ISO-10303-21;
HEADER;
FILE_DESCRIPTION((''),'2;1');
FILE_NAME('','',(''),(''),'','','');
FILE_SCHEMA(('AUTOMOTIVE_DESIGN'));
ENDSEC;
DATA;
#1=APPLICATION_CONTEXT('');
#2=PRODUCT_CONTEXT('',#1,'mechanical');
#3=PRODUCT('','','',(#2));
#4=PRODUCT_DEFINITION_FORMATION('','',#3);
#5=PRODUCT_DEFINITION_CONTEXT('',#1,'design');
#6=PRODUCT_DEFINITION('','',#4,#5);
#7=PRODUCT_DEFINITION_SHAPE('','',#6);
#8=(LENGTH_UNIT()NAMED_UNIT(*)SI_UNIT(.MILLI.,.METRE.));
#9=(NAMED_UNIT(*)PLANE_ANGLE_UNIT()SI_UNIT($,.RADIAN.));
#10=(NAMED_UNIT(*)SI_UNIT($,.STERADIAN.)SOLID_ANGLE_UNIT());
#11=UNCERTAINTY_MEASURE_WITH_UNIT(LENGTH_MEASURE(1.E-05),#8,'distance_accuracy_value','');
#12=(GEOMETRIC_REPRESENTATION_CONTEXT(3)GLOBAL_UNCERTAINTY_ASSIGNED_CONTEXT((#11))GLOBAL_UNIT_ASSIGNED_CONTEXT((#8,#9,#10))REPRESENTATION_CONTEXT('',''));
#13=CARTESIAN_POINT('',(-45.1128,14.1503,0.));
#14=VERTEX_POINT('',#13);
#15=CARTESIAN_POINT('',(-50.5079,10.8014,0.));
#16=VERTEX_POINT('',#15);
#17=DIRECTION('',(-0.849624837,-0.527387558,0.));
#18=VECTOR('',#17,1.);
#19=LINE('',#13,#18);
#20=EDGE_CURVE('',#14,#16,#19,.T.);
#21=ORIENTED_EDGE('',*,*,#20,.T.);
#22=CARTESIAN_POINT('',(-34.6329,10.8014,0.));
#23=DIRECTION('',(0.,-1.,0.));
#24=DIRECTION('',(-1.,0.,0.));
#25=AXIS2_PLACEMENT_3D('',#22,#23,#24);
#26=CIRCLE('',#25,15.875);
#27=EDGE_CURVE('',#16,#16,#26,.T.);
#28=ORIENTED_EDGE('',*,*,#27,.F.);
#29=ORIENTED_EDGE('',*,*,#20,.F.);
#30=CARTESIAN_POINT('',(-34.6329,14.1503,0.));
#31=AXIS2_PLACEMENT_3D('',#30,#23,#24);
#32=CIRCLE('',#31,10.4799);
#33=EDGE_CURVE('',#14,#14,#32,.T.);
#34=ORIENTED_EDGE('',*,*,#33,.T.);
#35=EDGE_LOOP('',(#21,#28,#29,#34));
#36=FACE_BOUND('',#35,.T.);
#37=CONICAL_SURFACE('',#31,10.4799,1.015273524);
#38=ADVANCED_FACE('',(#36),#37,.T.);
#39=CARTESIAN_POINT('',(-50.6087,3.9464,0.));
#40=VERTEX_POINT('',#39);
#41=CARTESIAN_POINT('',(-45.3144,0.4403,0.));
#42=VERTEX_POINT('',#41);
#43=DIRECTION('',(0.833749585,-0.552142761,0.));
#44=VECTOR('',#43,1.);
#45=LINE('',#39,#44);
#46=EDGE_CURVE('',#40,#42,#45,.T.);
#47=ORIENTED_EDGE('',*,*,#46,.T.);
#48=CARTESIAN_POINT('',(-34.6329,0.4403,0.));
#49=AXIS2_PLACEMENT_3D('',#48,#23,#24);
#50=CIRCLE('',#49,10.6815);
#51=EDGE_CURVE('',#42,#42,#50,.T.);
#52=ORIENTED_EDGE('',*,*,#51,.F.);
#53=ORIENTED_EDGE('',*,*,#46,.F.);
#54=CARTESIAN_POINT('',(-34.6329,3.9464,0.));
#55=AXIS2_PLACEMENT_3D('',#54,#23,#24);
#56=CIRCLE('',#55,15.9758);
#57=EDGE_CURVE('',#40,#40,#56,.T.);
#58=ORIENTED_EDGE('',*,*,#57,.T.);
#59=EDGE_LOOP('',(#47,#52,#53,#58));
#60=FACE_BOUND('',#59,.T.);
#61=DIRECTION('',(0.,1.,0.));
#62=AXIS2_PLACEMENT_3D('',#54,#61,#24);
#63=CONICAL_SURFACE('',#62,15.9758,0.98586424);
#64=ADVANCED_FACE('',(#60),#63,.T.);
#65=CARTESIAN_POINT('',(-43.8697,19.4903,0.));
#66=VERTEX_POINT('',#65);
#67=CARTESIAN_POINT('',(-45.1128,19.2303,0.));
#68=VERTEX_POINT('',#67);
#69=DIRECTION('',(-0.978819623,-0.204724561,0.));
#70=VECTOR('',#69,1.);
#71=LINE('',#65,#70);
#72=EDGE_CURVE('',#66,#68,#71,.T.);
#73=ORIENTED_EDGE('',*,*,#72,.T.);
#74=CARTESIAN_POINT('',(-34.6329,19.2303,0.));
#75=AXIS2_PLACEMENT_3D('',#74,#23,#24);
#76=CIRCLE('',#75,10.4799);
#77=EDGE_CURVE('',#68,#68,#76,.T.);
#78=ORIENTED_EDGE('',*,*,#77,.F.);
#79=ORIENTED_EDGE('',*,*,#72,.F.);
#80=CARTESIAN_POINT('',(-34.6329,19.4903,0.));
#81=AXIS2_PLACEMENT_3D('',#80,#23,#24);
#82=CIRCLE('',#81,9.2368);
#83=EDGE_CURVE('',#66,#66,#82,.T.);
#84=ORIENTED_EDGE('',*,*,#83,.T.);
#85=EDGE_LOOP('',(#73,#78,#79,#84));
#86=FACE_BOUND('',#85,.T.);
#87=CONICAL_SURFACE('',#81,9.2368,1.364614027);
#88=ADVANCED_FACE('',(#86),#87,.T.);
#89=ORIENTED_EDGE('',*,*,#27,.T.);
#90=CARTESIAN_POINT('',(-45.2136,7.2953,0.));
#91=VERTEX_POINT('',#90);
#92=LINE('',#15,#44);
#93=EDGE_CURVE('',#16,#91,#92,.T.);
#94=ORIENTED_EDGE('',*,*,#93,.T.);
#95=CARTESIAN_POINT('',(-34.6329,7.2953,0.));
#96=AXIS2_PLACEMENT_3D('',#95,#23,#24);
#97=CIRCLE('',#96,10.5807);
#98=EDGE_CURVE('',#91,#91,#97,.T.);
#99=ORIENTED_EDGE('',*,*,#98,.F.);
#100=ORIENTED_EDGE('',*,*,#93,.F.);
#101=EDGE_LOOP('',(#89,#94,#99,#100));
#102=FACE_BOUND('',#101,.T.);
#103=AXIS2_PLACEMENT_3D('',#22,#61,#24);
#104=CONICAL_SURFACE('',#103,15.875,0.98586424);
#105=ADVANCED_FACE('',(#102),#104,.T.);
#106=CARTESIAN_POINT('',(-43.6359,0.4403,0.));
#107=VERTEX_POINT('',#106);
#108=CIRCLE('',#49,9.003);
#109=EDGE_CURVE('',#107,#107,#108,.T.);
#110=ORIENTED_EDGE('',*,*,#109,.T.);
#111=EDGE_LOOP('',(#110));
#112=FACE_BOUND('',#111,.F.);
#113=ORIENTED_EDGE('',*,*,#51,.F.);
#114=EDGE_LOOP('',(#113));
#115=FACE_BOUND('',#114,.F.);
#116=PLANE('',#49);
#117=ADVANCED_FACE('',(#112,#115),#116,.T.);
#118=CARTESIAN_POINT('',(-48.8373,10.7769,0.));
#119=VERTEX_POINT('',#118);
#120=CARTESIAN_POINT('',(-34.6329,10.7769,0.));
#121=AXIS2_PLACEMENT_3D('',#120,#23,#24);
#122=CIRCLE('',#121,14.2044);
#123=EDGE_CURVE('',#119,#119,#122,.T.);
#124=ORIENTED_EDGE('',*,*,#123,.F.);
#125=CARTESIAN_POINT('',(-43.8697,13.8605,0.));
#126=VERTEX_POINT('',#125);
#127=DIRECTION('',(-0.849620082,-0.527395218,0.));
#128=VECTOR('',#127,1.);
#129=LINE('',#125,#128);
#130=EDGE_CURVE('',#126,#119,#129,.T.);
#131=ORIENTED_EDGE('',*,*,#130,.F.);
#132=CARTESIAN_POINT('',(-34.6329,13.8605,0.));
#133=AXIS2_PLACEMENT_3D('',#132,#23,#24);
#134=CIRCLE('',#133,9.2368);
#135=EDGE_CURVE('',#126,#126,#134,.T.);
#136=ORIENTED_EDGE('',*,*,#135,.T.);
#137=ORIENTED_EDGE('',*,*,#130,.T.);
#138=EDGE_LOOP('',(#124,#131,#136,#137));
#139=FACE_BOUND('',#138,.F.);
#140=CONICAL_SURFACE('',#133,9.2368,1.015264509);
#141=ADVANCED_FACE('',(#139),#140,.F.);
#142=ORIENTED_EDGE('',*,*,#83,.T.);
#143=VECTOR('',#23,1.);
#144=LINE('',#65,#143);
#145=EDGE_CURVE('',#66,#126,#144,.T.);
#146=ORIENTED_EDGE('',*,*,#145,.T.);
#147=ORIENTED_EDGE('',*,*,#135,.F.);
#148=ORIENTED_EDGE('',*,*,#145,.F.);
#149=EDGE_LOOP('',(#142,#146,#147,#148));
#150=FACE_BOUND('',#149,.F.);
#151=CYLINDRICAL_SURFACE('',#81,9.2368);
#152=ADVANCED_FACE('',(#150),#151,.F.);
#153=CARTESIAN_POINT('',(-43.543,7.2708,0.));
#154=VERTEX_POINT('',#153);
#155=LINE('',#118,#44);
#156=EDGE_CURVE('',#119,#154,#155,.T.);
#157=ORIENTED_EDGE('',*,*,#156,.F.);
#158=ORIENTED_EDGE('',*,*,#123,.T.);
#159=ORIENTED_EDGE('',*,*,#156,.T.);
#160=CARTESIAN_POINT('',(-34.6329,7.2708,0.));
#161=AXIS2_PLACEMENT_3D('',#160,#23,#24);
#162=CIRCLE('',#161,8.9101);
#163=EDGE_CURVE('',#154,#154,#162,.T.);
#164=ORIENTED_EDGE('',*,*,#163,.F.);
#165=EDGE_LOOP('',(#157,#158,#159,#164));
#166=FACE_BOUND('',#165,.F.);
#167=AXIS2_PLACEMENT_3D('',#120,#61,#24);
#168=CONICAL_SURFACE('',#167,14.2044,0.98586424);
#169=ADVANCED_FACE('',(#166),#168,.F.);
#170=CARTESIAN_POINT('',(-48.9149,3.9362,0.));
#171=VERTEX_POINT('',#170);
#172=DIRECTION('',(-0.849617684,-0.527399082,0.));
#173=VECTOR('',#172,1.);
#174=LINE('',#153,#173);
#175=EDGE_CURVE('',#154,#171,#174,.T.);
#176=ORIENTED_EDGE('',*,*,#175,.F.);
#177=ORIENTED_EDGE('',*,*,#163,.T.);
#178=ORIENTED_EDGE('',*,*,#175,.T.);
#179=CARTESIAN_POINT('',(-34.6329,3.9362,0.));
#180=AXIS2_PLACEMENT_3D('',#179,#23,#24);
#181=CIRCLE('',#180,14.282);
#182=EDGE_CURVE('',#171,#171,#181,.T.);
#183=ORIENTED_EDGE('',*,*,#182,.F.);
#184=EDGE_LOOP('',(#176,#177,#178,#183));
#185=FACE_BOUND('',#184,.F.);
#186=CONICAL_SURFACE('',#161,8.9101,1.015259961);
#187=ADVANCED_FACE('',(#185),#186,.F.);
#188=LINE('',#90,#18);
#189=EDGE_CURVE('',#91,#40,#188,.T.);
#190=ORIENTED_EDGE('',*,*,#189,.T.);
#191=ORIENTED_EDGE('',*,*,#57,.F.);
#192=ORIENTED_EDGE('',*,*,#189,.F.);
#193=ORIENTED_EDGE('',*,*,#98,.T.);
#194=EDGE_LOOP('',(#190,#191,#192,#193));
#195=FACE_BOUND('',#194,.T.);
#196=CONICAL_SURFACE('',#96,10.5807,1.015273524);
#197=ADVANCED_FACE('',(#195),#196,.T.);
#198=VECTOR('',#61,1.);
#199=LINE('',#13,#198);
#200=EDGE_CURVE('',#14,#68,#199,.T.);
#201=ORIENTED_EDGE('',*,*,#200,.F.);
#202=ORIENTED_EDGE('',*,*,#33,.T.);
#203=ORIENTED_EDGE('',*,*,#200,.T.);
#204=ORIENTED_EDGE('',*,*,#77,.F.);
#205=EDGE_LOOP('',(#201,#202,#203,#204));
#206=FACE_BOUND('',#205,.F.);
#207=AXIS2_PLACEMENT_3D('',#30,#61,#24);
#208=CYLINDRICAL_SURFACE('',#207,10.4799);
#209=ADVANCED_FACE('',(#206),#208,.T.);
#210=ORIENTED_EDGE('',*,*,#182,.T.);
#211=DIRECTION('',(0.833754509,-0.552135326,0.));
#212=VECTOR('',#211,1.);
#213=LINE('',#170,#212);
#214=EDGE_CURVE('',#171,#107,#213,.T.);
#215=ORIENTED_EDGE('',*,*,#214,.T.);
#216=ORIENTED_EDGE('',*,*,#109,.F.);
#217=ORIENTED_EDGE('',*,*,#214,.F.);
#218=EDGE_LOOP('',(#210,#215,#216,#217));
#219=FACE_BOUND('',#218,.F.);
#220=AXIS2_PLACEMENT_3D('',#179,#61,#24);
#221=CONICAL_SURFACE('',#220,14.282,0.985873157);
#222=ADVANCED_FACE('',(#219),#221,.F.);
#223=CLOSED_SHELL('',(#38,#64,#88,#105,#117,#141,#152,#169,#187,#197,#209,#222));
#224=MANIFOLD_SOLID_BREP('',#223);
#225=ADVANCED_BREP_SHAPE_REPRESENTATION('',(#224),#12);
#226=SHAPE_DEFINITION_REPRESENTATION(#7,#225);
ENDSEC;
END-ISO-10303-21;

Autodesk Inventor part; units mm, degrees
ref_plane "YZ Plane" through (0, 0, 0) normal (1, 0, 0) x (0, 1, 0)
ref_plane "XZ Plane" through (0, 0, 0) normal (0, 1, 0) x (-1, 0, 0)
ref_plane "XY Plane" through (0, 0, 0) normal (0, 0, 1) x (1, 0, 0)
sketch "Sketch1" plane through (0, 0, 0) normal (0, 0, 1) x (1, 0, 0)
  line L0 (-45.1128, 14.1503) -> (-50.5079, 10.8014)
  line L1 (-50.5079, 10.8014) -> (-45.2136, 7.2953)
  line L2 (-45.2136, 7.2953) -> (-50.6087, 3.9464)
  line L3 (-50.6087, 3.9464) -> (-45.3144, 0.4403)
  line L4 (-45.1128, 14.1503) -> (-45.1128, 19.2303)
  line L5 (-43.8697, 19.4903) -> (-45.1128, 19.2303)
  line L6 (-34.6329, 29.115) -> (-34.6329, -7.5025)
  line L7 (-43.8697, 13.8605) -> (-48.8373, 10.7769)
  line L8 (-48.8373, 10.7769) -> (-43.543, 7.2708)
  line L9 (-43.543, 7.2708) -> (-48.9149, 3.9362)
  line L10 (-43.8697, 19.4903) -> (-43.8697, 13.8605)
  line L11 (-48.9149, 3.9362) -> (-43.6359, 0.4403)
  line L12 (-43.6359, 0.4403) -> (-45.3144, 0.4403)
  point P0 (0, 0)
  dimension "d0" = 6.35
  dimension "d1" = 6.35
  dimension "d2" = 5.08
  dimension "d3" = 1.27
  dimension "d4" = 15.875
  dimension "d6" = 6.35
  dimension "d10" = 1.6784
  dimension "d11" = 19.05
revolve "Revolution1" add sketch "Sketch1" angle 360 about axis through (-34.6329, 29.115, 0) along (0, -1, 0)
properties part number "Small Suction Cup Part 1 1764"
